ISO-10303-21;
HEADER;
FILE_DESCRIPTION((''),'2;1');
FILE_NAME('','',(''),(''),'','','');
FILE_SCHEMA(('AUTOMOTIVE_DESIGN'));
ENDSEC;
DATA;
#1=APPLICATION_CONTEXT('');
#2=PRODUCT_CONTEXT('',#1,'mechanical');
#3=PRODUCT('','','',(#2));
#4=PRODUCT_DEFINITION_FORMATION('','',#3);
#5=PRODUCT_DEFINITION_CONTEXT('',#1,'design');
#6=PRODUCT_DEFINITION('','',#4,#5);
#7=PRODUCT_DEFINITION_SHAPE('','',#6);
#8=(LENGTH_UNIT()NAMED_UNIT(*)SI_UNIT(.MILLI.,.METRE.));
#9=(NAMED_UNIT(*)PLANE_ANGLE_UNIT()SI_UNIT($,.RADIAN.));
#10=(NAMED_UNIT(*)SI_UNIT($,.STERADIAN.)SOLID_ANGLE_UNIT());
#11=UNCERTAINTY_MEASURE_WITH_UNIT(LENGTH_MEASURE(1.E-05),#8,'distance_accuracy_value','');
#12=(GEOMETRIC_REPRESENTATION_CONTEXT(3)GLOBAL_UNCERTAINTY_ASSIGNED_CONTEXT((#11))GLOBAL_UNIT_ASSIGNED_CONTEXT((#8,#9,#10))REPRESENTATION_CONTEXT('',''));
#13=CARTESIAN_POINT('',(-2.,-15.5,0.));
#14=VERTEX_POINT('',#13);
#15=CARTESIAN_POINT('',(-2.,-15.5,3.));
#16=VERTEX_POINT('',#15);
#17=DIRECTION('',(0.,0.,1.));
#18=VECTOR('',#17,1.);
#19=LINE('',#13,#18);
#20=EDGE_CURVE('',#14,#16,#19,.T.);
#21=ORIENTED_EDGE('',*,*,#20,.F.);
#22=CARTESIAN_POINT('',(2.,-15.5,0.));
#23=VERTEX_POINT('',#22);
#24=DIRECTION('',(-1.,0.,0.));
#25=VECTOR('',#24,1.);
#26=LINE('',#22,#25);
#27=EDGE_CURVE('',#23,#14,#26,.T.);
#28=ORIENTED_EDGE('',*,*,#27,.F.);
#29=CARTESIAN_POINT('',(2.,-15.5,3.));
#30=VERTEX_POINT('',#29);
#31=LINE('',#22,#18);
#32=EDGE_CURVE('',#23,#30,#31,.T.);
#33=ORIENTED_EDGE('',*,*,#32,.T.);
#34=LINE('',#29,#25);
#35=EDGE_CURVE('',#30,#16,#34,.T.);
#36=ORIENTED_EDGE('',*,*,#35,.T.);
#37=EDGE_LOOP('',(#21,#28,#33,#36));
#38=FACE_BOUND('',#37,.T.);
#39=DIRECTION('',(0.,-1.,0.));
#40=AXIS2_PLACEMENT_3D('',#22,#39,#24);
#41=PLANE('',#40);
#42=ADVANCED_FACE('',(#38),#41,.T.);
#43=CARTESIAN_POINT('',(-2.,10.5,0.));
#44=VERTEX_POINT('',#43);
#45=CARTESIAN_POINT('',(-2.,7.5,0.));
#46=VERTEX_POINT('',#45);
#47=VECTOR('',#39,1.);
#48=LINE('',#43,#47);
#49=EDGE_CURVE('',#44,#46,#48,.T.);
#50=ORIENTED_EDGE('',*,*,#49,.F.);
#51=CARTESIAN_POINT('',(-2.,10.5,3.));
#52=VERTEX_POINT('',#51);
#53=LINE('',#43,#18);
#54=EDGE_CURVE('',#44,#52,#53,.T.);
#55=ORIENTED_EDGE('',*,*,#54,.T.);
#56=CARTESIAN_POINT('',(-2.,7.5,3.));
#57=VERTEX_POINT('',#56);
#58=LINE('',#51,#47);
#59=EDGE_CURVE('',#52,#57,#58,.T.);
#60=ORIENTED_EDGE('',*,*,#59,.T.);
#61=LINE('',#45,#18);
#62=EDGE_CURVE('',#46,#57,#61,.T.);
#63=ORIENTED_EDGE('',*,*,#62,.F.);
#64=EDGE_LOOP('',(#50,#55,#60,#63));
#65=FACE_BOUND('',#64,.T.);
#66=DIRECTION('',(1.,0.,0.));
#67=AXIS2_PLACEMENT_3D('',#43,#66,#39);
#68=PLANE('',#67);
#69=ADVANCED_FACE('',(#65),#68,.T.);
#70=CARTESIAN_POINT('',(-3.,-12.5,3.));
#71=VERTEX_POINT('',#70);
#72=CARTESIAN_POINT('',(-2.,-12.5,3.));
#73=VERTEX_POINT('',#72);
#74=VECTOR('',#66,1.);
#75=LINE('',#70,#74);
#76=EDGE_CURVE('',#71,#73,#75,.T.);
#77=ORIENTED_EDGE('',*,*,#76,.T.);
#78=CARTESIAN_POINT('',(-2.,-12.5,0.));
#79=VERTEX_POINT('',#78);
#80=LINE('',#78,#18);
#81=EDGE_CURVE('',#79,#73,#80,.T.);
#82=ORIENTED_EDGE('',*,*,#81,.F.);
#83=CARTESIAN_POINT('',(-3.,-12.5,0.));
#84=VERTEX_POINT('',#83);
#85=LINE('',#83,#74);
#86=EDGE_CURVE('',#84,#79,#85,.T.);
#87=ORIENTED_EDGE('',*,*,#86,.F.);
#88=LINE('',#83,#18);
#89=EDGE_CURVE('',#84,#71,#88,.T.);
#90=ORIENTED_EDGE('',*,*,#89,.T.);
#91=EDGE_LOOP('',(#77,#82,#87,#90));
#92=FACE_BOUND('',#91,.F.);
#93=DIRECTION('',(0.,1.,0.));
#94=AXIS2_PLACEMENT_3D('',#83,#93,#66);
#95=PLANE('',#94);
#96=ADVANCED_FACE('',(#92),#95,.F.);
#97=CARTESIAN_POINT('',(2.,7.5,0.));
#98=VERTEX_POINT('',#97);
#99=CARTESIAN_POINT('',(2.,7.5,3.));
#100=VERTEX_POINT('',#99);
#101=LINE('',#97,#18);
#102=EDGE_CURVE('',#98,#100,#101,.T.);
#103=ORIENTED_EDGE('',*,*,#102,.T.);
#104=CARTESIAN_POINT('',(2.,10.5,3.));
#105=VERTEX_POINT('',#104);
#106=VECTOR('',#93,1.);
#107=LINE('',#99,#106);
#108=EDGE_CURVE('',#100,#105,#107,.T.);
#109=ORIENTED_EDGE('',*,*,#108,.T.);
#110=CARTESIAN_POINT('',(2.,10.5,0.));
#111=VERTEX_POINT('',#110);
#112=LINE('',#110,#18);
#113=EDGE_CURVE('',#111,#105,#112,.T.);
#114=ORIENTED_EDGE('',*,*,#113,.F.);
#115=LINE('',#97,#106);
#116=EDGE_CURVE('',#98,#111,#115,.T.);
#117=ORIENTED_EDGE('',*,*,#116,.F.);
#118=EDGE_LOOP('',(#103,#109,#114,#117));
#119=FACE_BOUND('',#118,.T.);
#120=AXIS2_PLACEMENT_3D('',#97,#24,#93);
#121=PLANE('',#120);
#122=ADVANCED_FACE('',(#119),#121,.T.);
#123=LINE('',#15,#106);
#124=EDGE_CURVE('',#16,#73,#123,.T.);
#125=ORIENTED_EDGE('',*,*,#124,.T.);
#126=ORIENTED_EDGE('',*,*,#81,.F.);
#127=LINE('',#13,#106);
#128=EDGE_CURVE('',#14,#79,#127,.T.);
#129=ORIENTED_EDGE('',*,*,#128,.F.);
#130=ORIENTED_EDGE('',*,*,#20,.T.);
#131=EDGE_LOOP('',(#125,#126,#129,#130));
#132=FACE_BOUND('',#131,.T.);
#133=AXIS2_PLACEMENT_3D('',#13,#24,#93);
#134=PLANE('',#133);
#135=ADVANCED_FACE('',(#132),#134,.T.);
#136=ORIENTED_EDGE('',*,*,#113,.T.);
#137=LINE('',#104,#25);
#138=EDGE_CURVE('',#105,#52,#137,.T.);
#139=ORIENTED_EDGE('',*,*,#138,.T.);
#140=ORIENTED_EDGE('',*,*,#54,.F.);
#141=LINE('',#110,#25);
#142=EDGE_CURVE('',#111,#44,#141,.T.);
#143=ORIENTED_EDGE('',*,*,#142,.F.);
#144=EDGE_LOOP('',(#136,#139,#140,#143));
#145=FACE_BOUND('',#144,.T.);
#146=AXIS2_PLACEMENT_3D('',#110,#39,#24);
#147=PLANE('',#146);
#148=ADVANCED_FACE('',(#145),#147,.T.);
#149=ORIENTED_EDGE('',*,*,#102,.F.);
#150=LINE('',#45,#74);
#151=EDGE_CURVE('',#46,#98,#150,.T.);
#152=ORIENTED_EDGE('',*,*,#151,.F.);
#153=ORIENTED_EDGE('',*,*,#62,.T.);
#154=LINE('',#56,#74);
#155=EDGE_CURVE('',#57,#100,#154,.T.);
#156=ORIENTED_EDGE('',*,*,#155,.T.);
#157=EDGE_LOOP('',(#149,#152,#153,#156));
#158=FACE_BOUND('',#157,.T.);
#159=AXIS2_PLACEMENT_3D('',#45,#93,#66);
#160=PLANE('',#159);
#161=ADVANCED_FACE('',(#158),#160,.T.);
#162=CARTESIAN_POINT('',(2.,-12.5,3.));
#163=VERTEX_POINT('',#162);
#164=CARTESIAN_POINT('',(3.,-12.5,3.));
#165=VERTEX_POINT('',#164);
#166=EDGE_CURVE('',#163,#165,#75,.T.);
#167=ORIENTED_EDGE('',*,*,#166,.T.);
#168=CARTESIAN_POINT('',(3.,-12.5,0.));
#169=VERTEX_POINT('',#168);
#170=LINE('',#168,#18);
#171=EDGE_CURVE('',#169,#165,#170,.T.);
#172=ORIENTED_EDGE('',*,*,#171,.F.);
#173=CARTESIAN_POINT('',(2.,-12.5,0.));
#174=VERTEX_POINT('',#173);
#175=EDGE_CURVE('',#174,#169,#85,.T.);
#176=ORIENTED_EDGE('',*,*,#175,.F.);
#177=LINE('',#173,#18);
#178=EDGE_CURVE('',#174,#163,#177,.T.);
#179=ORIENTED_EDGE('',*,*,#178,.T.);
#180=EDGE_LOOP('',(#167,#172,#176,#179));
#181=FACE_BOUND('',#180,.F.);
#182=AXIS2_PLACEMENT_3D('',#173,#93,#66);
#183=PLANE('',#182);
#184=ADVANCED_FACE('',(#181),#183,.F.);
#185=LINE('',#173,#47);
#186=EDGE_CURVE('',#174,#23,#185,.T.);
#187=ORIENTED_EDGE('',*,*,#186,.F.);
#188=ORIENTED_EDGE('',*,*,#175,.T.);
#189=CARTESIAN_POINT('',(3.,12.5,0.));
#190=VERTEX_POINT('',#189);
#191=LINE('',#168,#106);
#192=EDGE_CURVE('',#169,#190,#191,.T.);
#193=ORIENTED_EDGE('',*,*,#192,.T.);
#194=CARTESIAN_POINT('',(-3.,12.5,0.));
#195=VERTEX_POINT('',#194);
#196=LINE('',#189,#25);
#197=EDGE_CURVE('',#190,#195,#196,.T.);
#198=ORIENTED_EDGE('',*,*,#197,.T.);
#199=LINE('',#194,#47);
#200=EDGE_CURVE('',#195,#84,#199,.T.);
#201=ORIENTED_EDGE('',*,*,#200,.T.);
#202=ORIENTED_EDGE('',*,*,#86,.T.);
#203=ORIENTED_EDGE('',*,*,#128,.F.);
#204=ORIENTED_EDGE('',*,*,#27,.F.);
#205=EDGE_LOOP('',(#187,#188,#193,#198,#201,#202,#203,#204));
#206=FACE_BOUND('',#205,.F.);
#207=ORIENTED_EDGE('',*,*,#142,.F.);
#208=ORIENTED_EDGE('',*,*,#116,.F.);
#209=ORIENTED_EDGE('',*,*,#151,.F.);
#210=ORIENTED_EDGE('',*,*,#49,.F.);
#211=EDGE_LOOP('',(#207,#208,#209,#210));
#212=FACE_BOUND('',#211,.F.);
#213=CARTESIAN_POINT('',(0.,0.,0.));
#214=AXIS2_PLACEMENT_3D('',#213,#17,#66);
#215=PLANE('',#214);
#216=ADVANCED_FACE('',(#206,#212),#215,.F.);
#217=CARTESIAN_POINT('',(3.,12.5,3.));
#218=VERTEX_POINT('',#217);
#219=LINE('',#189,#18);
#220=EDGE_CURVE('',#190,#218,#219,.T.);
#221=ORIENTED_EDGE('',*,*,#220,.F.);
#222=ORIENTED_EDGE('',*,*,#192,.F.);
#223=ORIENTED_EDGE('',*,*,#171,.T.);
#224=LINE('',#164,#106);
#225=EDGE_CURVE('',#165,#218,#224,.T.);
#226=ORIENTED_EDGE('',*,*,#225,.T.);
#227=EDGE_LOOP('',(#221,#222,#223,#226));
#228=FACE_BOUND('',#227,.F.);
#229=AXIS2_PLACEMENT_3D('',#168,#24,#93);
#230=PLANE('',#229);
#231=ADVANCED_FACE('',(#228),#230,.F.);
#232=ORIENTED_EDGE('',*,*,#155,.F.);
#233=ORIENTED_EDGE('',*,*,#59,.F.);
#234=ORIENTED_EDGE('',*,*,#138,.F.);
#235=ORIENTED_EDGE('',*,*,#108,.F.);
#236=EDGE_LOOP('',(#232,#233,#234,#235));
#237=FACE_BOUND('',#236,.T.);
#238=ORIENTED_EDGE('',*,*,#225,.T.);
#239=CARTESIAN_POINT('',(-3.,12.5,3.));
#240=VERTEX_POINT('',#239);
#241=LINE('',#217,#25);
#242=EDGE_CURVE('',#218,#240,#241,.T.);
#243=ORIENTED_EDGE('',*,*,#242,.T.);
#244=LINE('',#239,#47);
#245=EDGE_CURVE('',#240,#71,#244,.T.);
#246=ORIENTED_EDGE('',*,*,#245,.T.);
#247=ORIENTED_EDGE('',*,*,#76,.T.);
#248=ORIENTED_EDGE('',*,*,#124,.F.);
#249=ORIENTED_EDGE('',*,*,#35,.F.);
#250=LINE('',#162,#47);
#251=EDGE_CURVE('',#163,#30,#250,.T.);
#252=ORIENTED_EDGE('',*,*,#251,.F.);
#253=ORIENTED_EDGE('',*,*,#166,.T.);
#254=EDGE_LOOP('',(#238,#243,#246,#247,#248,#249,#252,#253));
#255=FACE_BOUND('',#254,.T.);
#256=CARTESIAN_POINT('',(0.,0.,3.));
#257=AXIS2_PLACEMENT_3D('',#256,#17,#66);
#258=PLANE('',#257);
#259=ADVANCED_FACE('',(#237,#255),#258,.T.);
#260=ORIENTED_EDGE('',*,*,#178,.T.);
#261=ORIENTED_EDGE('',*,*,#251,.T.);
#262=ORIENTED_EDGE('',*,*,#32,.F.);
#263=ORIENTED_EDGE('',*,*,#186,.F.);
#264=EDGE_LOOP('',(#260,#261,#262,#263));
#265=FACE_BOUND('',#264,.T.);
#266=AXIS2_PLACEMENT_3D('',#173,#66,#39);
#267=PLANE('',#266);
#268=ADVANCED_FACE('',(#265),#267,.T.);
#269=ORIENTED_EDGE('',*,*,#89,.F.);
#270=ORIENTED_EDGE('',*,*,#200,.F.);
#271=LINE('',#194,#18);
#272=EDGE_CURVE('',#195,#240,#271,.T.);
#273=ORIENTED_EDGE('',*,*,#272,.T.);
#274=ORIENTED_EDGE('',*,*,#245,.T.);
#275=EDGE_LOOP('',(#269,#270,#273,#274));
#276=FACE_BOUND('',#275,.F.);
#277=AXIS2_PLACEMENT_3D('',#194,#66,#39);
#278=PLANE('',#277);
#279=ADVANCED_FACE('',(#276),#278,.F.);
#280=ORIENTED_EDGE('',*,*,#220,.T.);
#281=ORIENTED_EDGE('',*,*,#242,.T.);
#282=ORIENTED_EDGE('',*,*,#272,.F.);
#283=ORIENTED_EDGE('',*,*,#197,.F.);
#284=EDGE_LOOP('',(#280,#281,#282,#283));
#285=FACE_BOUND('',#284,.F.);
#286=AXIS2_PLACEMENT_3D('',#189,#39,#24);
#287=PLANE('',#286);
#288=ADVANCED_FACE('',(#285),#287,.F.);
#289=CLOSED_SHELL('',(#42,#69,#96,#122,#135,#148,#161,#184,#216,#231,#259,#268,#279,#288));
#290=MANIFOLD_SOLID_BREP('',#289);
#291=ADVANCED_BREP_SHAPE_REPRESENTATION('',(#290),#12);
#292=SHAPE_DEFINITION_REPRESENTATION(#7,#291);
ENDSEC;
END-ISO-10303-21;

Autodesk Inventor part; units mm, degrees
ref_plane "YZ Plane" through (0, 0, 0) normal (1, 0, 0) x (0, 1, 0)
ref_plane "XZ Plane" through (0, 0, 0) normal (0, 1, 0) x (-1, 0, 0)
ref_plane "XY Plane" through (0, 0, 0) normal (0, 0, 1) x (1, 0, 0)
sketch "Sketch1" plane through (0, 0, 0) normal (0, 0, 1) x (1, 0, 0)
  line L0 (-3, -12.5) -> (3, -12.5)
  line L1 (3, -12.5) -> (3, 12.5)
  line L2 (3, 12.5) -> (-3, 12.5)
  line L3 (-3, 12.5) -> (-3, -12.5)
  line L4 (-3, -12.5) -> (3, 12.5) construction
  line L5 (3, -12.5) -> (-3, 12.5) construction
  line L6 (-2, -12.5) -> (2, -12.5)
  line L7 (2, -12.5) -> (2, -15.5)
  line L8 (2, -15.5) -> (-2, -15.5)
  line L9 (-2, -15.5) -> (-2, -12.5)
  line L10 (-2, 7.5) -> (2, 7.5)
  line L11 (2, 7.5) -> (2, 10.5)
  line L12 (2, 10.5) -> (-2, 10.5)
  line L13 (-2, 10.5) -> (-2, 7.5)
  line L14 (-2, 7.5) -> (2, 10.5) construction
  line L15 (2, 7.5) -> (-2, 10.5) construction
  point P0 (0, 0)
  point P1 (0, -15.5)
  point P2 (0, -12.5)
  point P3 (0, 9)
  point P4 (0, 10.5)
  point P5 (0, 12.5)
  dimension "d0" = 25
  dimension "d1" = 6
  dimension "d2" = 3
  dimension "d3" = 4
  dimension "d6" = 4
  dimension "d7" = 3
  dimension "d8" = 2
extrude "Extrusion1" add sketch "Sketch1" along normal blind 3
properties material "MDF Medium Density Fiberboard"
